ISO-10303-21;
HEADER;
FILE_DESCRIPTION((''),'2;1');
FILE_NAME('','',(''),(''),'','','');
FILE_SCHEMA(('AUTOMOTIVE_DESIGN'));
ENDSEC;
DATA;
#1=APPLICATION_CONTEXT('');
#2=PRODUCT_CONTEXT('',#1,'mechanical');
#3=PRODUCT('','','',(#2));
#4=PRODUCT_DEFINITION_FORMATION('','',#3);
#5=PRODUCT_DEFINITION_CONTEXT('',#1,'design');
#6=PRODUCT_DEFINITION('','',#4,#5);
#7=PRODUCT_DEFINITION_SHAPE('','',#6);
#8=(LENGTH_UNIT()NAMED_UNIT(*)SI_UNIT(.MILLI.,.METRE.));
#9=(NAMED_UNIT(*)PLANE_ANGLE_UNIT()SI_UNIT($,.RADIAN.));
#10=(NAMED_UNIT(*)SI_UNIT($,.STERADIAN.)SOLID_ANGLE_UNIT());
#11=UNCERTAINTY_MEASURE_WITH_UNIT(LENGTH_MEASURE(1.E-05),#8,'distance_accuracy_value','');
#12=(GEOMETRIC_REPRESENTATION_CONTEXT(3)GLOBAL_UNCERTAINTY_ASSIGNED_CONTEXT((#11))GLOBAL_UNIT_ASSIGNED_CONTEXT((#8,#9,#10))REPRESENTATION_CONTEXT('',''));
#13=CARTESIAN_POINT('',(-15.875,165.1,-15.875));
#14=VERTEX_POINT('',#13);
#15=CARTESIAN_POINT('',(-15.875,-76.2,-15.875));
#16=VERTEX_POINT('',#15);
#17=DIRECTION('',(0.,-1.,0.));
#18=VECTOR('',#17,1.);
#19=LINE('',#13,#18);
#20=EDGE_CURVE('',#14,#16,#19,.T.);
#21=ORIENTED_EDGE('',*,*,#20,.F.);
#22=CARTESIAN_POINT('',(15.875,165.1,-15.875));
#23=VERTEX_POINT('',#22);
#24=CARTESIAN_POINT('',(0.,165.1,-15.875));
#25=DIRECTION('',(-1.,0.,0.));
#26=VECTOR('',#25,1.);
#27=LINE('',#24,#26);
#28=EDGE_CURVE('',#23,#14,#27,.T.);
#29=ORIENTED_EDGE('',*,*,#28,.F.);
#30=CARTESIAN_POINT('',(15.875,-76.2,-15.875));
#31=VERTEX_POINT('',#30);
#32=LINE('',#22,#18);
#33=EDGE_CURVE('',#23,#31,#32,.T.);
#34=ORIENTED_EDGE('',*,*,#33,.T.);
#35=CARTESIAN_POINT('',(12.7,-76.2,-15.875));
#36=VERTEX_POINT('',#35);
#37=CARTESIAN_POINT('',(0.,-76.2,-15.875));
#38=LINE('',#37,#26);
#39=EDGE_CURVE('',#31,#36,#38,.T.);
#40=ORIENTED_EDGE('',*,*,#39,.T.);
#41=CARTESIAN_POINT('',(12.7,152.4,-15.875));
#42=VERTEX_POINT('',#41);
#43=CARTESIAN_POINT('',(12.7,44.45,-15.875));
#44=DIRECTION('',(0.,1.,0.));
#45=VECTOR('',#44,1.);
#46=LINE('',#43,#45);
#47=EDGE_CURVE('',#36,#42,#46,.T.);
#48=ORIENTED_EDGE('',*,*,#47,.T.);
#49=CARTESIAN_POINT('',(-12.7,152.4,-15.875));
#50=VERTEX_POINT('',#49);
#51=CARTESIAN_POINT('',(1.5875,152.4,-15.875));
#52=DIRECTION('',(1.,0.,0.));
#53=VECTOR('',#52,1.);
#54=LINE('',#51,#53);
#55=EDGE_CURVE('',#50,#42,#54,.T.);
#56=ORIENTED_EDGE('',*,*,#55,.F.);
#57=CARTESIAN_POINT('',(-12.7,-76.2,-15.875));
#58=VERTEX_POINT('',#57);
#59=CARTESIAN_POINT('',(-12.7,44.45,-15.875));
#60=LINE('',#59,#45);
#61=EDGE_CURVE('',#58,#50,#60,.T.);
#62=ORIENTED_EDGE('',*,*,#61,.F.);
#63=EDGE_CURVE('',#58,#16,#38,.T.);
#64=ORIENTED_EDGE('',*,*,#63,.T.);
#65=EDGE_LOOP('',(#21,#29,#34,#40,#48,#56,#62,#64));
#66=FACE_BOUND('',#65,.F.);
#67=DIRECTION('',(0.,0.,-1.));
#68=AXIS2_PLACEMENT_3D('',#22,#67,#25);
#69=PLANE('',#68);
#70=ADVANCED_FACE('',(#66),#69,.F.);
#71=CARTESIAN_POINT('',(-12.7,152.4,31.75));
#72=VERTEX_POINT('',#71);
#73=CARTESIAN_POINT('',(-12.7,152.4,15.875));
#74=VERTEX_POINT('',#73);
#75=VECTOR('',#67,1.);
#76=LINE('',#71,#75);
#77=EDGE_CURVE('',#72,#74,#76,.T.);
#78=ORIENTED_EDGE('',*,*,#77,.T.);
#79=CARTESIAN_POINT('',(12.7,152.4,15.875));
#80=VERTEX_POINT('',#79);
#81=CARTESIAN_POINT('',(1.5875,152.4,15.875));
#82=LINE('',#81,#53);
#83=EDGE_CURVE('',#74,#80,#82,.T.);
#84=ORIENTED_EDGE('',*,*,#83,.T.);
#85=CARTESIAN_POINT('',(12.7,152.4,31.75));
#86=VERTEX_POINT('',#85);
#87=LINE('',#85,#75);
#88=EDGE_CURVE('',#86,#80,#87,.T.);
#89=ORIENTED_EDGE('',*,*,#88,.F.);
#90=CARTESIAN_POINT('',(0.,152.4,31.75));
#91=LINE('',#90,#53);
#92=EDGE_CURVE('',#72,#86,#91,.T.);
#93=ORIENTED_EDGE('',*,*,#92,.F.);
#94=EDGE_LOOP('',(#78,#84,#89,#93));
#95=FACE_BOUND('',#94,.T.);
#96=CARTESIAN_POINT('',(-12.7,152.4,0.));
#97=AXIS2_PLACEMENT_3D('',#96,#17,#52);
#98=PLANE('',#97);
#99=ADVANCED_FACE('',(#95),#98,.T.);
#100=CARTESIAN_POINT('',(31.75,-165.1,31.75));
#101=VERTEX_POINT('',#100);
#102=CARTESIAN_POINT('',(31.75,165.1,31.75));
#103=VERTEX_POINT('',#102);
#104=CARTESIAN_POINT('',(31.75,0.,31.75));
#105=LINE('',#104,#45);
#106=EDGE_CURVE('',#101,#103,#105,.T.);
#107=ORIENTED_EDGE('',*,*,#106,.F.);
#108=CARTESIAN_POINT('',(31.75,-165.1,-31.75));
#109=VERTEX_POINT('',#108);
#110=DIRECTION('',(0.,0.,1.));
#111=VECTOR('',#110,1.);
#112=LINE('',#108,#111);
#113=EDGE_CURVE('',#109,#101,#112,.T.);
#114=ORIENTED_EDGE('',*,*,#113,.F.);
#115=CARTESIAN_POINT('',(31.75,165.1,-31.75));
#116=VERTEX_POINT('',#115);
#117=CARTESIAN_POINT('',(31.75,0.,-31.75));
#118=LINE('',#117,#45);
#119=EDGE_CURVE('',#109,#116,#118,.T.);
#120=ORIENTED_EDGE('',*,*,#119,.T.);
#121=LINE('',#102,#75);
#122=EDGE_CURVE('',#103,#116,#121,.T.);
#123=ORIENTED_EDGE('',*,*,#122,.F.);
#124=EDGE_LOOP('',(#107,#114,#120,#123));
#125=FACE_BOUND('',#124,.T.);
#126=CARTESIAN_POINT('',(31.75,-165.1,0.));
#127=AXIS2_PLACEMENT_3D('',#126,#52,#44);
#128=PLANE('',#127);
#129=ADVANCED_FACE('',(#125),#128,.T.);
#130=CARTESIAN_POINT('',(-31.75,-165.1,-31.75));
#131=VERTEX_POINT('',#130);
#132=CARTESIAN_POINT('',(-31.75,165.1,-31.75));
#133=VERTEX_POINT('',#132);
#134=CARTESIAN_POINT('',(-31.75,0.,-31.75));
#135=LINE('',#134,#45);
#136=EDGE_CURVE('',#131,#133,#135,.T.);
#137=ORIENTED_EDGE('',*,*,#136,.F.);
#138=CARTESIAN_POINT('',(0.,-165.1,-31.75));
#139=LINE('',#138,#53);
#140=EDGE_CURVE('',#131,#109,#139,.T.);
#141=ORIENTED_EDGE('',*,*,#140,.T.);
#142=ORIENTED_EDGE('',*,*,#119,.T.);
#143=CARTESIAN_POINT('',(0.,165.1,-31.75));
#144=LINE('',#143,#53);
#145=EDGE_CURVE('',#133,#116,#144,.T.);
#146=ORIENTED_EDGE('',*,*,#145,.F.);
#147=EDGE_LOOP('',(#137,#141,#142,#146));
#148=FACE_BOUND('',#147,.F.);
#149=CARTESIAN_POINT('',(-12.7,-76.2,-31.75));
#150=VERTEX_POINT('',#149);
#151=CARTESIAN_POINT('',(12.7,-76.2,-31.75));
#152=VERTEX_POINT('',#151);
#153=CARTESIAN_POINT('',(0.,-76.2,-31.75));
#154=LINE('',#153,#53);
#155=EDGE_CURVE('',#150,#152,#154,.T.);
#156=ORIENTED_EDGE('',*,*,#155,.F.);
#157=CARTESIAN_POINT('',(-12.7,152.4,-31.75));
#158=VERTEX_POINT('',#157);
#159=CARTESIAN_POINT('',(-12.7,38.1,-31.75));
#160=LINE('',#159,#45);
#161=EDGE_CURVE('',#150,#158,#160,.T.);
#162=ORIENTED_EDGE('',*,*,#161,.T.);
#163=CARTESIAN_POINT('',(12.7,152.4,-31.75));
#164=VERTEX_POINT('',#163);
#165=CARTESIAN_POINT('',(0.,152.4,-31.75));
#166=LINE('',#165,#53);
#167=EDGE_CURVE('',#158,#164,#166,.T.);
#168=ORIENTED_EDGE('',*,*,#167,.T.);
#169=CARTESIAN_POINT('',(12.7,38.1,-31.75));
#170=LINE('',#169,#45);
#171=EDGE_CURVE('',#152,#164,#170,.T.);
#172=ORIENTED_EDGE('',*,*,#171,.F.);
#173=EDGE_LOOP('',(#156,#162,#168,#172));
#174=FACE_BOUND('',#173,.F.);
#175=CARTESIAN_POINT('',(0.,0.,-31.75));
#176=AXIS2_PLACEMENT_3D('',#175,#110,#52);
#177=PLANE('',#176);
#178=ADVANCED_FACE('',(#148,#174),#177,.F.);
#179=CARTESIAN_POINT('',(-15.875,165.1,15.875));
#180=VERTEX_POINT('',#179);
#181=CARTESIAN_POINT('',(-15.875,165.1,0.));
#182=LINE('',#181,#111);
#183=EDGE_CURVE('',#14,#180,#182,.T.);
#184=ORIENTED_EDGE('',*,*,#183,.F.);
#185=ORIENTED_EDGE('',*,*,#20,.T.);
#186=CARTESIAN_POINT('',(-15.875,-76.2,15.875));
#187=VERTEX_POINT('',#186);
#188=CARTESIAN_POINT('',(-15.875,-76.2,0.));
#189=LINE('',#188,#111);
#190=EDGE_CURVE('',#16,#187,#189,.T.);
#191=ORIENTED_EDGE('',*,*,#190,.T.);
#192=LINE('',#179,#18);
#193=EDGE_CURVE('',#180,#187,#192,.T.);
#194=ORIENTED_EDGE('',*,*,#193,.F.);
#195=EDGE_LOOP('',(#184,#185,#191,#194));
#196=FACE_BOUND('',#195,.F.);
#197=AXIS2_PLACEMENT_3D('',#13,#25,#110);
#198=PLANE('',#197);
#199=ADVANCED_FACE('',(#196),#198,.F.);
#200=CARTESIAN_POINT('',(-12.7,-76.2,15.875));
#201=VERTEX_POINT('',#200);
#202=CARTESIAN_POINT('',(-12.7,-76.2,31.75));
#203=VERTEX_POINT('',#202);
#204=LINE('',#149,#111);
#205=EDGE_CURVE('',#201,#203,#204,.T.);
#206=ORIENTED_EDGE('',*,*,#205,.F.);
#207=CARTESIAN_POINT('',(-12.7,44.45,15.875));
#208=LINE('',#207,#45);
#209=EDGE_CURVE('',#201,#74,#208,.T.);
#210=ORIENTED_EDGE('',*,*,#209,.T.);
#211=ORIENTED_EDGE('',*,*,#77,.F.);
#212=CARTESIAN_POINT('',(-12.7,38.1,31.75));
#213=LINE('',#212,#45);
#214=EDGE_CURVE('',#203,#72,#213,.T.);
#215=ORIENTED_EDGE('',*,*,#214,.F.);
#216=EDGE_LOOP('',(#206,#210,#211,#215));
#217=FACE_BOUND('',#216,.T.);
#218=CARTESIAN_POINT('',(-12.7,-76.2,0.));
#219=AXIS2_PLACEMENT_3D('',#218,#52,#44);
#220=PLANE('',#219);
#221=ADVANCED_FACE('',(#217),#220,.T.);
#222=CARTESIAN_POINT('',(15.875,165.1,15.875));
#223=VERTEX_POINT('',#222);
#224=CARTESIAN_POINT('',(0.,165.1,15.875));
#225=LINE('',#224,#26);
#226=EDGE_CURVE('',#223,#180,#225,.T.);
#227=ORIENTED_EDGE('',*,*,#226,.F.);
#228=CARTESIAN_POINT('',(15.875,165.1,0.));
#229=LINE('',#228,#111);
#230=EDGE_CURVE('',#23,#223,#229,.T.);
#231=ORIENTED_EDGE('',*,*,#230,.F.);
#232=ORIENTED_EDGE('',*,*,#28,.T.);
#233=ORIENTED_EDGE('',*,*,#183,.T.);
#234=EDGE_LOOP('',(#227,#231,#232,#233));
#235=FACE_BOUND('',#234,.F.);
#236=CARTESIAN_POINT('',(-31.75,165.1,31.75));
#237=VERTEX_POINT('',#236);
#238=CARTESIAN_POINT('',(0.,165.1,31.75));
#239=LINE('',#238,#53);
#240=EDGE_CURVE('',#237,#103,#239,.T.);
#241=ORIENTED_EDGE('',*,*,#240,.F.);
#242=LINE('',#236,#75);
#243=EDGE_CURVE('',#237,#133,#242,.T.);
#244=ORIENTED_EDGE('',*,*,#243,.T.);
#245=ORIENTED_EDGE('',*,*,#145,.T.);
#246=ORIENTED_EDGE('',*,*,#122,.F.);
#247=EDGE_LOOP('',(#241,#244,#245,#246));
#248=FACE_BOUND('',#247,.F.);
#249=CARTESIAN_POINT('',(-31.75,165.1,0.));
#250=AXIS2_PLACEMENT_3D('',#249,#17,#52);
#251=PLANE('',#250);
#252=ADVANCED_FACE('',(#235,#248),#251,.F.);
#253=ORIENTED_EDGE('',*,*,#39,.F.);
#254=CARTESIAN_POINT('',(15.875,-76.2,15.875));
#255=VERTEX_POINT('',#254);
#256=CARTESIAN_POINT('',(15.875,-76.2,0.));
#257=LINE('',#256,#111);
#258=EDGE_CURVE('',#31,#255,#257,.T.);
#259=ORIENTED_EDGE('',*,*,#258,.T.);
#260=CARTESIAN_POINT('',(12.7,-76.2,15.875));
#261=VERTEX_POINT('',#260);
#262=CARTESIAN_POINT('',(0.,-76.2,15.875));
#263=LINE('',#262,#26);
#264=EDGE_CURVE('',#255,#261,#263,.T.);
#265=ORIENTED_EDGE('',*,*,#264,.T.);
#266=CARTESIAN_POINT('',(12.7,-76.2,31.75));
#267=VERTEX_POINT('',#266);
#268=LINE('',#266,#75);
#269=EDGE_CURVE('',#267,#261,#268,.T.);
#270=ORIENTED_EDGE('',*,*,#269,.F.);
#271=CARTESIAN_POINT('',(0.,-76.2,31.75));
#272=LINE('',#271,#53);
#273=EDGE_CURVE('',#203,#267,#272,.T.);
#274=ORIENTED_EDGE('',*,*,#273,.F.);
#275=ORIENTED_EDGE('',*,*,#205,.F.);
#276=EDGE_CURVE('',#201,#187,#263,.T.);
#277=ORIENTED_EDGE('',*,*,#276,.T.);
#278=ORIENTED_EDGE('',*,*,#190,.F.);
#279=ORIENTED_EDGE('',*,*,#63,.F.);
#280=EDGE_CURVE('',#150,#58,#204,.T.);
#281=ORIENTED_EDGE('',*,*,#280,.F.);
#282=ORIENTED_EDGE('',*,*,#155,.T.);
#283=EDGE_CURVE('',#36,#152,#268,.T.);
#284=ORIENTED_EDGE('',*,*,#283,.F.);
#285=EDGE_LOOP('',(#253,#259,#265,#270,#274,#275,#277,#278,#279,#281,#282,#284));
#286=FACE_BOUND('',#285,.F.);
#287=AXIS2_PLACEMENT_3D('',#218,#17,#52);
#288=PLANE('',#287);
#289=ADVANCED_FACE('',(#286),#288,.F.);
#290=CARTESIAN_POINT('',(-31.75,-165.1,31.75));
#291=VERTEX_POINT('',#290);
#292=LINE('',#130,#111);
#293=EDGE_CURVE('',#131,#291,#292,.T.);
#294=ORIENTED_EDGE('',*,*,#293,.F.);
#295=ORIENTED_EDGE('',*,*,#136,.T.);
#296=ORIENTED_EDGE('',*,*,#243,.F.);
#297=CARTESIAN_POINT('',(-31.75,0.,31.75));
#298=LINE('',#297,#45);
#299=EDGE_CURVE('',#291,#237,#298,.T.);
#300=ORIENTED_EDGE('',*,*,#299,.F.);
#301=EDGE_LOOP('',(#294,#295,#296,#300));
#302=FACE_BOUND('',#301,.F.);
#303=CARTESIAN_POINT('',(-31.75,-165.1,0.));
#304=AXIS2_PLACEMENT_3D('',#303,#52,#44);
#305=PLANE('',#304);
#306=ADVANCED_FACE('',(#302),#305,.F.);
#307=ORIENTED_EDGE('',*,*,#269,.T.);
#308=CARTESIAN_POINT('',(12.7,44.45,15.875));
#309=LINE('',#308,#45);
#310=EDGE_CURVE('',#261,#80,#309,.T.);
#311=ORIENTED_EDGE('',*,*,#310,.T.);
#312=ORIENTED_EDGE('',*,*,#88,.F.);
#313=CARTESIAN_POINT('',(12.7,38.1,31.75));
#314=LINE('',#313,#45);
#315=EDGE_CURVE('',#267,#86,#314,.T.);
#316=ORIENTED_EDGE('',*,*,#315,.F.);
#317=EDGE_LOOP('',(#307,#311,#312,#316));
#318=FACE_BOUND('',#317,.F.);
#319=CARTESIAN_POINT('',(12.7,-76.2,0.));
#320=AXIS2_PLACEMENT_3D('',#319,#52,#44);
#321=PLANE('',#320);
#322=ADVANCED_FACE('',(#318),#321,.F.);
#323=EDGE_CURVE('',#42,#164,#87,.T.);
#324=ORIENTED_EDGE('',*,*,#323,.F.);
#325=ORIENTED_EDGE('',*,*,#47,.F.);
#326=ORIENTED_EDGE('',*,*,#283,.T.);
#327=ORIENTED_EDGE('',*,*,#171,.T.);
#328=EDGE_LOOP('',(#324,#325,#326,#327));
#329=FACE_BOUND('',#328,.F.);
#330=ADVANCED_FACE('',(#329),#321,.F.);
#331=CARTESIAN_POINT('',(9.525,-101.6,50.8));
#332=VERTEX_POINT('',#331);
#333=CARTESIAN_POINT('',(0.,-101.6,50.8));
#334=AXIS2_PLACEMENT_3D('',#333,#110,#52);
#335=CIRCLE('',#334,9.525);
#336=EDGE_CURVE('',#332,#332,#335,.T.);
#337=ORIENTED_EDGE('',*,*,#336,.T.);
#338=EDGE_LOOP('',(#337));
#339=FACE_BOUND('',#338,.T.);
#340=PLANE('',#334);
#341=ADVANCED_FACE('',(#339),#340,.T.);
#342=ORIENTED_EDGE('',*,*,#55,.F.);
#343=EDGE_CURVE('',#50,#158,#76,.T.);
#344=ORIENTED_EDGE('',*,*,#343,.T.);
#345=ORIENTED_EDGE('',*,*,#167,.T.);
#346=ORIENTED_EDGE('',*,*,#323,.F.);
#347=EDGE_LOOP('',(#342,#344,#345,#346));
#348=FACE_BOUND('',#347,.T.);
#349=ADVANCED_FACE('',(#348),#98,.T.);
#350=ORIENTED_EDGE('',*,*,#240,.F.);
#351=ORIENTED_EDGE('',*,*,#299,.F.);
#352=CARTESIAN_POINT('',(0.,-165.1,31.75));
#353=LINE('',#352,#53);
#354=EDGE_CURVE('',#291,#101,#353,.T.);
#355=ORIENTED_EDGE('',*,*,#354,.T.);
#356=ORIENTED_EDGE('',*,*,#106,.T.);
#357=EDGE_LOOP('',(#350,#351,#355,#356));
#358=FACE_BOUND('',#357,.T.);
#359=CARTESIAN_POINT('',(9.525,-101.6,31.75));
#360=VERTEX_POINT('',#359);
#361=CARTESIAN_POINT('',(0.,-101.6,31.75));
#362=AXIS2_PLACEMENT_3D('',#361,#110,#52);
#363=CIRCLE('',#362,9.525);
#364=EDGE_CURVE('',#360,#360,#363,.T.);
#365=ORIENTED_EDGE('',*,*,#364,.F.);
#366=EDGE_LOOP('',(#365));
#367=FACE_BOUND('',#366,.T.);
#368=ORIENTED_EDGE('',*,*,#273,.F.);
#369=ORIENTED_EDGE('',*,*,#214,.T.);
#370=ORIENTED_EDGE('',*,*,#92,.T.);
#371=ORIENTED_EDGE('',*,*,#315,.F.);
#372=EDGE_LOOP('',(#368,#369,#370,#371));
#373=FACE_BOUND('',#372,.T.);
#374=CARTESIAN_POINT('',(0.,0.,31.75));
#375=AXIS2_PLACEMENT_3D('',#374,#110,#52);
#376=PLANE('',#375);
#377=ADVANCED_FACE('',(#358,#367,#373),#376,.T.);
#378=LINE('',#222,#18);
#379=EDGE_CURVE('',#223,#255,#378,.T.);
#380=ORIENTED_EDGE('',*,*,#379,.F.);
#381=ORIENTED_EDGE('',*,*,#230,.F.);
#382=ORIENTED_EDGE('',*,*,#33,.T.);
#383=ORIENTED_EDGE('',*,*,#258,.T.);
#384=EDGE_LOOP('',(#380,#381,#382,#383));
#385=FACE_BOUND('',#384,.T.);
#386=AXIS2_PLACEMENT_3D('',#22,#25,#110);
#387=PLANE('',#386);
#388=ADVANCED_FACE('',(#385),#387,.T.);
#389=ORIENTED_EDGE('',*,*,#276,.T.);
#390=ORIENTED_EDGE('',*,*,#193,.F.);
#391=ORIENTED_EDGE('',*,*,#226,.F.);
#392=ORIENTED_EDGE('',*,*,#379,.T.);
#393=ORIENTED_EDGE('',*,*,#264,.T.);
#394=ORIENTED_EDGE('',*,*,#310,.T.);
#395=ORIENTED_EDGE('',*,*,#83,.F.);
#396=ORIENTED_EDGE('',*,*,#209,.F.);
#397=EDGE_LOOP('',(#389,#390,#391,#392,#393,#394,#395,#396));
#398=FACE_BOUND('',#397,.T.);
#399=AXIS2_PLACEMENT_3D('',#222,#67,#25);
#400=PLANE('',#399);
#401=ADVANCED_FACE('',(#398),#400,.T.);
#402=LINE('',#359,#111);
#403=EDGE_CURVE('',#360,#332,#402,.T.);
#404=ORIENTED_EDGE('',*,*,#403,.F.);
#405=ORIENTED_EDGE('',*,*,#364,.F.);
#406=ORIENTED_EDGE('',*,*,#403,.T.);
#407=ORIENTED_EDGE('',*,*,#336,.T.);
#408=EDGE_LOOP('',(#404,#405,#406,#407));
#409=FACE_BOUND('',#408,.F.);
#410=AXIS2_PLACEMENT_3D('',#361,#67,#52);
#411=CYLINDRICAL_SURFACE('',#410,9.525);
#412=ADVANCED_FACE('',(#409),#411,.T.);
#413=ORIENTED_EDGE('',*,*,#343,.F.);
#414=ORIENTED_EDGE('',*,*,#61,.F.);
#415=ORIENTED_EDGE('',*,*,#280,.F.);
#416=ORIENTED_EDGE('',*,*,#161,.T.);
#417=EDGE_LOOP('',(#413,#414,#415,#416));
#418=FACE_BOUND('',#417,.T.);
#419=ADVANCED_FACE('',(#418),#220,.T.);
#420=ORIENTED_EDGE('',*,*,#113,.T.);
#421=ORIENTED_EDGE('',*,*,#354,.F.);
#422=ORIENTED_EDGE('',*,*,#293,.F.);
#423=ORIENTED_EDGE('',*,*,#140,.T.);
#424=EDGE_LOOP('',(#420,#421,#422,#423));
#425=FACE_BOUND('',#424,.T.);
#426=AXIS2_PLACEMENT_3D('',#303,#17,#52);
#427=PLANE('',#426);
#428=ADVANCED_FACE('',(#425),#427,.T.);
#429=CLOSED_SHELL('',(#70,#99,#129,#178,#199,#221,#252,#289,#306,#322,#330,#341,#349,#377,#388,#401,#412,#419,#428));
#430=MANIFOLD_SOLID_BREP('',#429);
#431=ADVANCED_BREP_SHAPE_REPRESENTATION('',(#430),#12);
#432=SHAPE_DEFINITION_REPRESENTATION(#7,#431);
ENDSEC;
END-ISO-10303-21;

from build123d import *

# Parameters (mm, degrees)
F0_W     = 63.5
F0_H     = 330.2
F0_W_2   = 25.4
F0_H_2   = 228.6
F1_DEPTH = 31.75
F2_W     = 31.75
F2_H     = 31.75
F3_DEPTH = 241.3
F4_R     = 9.525
F5_DEPTH = 19.05


with BuildPart() as f1:
    # F0 (on Top) → F1 (new body, symmetric)
    with BuildSketch(Plane.XY):
        Rectangle(F0_W, F0_H)
        with Locations((0, 38.1)):
            Rectangle(F0_W_2, F0_H_2, mode=Mode.SUBTRACT)
    extrude(amount=F1_DEPTH, both=True)

    # F2 (on face) → F3 (cut)
    with BuildSketch(Plane(origin=(0, 165.1, 0), x_dir=(-1, 0, 0), z_dir=(0, 1, 0))):
        Rectangle(F2_W, F2_H)
    extrude(amount=-F3_DEPTH, mode=Mode.SUBTRACT)

    # F4 (on face) → F5 (join)
    with BuildSketch(Plane.XY.offset(31.75)):
        with Locations((0, -101.6)):
            Circle(F4_R)
    extrude(amount=F5_DEPTH)


solid = f1.part
